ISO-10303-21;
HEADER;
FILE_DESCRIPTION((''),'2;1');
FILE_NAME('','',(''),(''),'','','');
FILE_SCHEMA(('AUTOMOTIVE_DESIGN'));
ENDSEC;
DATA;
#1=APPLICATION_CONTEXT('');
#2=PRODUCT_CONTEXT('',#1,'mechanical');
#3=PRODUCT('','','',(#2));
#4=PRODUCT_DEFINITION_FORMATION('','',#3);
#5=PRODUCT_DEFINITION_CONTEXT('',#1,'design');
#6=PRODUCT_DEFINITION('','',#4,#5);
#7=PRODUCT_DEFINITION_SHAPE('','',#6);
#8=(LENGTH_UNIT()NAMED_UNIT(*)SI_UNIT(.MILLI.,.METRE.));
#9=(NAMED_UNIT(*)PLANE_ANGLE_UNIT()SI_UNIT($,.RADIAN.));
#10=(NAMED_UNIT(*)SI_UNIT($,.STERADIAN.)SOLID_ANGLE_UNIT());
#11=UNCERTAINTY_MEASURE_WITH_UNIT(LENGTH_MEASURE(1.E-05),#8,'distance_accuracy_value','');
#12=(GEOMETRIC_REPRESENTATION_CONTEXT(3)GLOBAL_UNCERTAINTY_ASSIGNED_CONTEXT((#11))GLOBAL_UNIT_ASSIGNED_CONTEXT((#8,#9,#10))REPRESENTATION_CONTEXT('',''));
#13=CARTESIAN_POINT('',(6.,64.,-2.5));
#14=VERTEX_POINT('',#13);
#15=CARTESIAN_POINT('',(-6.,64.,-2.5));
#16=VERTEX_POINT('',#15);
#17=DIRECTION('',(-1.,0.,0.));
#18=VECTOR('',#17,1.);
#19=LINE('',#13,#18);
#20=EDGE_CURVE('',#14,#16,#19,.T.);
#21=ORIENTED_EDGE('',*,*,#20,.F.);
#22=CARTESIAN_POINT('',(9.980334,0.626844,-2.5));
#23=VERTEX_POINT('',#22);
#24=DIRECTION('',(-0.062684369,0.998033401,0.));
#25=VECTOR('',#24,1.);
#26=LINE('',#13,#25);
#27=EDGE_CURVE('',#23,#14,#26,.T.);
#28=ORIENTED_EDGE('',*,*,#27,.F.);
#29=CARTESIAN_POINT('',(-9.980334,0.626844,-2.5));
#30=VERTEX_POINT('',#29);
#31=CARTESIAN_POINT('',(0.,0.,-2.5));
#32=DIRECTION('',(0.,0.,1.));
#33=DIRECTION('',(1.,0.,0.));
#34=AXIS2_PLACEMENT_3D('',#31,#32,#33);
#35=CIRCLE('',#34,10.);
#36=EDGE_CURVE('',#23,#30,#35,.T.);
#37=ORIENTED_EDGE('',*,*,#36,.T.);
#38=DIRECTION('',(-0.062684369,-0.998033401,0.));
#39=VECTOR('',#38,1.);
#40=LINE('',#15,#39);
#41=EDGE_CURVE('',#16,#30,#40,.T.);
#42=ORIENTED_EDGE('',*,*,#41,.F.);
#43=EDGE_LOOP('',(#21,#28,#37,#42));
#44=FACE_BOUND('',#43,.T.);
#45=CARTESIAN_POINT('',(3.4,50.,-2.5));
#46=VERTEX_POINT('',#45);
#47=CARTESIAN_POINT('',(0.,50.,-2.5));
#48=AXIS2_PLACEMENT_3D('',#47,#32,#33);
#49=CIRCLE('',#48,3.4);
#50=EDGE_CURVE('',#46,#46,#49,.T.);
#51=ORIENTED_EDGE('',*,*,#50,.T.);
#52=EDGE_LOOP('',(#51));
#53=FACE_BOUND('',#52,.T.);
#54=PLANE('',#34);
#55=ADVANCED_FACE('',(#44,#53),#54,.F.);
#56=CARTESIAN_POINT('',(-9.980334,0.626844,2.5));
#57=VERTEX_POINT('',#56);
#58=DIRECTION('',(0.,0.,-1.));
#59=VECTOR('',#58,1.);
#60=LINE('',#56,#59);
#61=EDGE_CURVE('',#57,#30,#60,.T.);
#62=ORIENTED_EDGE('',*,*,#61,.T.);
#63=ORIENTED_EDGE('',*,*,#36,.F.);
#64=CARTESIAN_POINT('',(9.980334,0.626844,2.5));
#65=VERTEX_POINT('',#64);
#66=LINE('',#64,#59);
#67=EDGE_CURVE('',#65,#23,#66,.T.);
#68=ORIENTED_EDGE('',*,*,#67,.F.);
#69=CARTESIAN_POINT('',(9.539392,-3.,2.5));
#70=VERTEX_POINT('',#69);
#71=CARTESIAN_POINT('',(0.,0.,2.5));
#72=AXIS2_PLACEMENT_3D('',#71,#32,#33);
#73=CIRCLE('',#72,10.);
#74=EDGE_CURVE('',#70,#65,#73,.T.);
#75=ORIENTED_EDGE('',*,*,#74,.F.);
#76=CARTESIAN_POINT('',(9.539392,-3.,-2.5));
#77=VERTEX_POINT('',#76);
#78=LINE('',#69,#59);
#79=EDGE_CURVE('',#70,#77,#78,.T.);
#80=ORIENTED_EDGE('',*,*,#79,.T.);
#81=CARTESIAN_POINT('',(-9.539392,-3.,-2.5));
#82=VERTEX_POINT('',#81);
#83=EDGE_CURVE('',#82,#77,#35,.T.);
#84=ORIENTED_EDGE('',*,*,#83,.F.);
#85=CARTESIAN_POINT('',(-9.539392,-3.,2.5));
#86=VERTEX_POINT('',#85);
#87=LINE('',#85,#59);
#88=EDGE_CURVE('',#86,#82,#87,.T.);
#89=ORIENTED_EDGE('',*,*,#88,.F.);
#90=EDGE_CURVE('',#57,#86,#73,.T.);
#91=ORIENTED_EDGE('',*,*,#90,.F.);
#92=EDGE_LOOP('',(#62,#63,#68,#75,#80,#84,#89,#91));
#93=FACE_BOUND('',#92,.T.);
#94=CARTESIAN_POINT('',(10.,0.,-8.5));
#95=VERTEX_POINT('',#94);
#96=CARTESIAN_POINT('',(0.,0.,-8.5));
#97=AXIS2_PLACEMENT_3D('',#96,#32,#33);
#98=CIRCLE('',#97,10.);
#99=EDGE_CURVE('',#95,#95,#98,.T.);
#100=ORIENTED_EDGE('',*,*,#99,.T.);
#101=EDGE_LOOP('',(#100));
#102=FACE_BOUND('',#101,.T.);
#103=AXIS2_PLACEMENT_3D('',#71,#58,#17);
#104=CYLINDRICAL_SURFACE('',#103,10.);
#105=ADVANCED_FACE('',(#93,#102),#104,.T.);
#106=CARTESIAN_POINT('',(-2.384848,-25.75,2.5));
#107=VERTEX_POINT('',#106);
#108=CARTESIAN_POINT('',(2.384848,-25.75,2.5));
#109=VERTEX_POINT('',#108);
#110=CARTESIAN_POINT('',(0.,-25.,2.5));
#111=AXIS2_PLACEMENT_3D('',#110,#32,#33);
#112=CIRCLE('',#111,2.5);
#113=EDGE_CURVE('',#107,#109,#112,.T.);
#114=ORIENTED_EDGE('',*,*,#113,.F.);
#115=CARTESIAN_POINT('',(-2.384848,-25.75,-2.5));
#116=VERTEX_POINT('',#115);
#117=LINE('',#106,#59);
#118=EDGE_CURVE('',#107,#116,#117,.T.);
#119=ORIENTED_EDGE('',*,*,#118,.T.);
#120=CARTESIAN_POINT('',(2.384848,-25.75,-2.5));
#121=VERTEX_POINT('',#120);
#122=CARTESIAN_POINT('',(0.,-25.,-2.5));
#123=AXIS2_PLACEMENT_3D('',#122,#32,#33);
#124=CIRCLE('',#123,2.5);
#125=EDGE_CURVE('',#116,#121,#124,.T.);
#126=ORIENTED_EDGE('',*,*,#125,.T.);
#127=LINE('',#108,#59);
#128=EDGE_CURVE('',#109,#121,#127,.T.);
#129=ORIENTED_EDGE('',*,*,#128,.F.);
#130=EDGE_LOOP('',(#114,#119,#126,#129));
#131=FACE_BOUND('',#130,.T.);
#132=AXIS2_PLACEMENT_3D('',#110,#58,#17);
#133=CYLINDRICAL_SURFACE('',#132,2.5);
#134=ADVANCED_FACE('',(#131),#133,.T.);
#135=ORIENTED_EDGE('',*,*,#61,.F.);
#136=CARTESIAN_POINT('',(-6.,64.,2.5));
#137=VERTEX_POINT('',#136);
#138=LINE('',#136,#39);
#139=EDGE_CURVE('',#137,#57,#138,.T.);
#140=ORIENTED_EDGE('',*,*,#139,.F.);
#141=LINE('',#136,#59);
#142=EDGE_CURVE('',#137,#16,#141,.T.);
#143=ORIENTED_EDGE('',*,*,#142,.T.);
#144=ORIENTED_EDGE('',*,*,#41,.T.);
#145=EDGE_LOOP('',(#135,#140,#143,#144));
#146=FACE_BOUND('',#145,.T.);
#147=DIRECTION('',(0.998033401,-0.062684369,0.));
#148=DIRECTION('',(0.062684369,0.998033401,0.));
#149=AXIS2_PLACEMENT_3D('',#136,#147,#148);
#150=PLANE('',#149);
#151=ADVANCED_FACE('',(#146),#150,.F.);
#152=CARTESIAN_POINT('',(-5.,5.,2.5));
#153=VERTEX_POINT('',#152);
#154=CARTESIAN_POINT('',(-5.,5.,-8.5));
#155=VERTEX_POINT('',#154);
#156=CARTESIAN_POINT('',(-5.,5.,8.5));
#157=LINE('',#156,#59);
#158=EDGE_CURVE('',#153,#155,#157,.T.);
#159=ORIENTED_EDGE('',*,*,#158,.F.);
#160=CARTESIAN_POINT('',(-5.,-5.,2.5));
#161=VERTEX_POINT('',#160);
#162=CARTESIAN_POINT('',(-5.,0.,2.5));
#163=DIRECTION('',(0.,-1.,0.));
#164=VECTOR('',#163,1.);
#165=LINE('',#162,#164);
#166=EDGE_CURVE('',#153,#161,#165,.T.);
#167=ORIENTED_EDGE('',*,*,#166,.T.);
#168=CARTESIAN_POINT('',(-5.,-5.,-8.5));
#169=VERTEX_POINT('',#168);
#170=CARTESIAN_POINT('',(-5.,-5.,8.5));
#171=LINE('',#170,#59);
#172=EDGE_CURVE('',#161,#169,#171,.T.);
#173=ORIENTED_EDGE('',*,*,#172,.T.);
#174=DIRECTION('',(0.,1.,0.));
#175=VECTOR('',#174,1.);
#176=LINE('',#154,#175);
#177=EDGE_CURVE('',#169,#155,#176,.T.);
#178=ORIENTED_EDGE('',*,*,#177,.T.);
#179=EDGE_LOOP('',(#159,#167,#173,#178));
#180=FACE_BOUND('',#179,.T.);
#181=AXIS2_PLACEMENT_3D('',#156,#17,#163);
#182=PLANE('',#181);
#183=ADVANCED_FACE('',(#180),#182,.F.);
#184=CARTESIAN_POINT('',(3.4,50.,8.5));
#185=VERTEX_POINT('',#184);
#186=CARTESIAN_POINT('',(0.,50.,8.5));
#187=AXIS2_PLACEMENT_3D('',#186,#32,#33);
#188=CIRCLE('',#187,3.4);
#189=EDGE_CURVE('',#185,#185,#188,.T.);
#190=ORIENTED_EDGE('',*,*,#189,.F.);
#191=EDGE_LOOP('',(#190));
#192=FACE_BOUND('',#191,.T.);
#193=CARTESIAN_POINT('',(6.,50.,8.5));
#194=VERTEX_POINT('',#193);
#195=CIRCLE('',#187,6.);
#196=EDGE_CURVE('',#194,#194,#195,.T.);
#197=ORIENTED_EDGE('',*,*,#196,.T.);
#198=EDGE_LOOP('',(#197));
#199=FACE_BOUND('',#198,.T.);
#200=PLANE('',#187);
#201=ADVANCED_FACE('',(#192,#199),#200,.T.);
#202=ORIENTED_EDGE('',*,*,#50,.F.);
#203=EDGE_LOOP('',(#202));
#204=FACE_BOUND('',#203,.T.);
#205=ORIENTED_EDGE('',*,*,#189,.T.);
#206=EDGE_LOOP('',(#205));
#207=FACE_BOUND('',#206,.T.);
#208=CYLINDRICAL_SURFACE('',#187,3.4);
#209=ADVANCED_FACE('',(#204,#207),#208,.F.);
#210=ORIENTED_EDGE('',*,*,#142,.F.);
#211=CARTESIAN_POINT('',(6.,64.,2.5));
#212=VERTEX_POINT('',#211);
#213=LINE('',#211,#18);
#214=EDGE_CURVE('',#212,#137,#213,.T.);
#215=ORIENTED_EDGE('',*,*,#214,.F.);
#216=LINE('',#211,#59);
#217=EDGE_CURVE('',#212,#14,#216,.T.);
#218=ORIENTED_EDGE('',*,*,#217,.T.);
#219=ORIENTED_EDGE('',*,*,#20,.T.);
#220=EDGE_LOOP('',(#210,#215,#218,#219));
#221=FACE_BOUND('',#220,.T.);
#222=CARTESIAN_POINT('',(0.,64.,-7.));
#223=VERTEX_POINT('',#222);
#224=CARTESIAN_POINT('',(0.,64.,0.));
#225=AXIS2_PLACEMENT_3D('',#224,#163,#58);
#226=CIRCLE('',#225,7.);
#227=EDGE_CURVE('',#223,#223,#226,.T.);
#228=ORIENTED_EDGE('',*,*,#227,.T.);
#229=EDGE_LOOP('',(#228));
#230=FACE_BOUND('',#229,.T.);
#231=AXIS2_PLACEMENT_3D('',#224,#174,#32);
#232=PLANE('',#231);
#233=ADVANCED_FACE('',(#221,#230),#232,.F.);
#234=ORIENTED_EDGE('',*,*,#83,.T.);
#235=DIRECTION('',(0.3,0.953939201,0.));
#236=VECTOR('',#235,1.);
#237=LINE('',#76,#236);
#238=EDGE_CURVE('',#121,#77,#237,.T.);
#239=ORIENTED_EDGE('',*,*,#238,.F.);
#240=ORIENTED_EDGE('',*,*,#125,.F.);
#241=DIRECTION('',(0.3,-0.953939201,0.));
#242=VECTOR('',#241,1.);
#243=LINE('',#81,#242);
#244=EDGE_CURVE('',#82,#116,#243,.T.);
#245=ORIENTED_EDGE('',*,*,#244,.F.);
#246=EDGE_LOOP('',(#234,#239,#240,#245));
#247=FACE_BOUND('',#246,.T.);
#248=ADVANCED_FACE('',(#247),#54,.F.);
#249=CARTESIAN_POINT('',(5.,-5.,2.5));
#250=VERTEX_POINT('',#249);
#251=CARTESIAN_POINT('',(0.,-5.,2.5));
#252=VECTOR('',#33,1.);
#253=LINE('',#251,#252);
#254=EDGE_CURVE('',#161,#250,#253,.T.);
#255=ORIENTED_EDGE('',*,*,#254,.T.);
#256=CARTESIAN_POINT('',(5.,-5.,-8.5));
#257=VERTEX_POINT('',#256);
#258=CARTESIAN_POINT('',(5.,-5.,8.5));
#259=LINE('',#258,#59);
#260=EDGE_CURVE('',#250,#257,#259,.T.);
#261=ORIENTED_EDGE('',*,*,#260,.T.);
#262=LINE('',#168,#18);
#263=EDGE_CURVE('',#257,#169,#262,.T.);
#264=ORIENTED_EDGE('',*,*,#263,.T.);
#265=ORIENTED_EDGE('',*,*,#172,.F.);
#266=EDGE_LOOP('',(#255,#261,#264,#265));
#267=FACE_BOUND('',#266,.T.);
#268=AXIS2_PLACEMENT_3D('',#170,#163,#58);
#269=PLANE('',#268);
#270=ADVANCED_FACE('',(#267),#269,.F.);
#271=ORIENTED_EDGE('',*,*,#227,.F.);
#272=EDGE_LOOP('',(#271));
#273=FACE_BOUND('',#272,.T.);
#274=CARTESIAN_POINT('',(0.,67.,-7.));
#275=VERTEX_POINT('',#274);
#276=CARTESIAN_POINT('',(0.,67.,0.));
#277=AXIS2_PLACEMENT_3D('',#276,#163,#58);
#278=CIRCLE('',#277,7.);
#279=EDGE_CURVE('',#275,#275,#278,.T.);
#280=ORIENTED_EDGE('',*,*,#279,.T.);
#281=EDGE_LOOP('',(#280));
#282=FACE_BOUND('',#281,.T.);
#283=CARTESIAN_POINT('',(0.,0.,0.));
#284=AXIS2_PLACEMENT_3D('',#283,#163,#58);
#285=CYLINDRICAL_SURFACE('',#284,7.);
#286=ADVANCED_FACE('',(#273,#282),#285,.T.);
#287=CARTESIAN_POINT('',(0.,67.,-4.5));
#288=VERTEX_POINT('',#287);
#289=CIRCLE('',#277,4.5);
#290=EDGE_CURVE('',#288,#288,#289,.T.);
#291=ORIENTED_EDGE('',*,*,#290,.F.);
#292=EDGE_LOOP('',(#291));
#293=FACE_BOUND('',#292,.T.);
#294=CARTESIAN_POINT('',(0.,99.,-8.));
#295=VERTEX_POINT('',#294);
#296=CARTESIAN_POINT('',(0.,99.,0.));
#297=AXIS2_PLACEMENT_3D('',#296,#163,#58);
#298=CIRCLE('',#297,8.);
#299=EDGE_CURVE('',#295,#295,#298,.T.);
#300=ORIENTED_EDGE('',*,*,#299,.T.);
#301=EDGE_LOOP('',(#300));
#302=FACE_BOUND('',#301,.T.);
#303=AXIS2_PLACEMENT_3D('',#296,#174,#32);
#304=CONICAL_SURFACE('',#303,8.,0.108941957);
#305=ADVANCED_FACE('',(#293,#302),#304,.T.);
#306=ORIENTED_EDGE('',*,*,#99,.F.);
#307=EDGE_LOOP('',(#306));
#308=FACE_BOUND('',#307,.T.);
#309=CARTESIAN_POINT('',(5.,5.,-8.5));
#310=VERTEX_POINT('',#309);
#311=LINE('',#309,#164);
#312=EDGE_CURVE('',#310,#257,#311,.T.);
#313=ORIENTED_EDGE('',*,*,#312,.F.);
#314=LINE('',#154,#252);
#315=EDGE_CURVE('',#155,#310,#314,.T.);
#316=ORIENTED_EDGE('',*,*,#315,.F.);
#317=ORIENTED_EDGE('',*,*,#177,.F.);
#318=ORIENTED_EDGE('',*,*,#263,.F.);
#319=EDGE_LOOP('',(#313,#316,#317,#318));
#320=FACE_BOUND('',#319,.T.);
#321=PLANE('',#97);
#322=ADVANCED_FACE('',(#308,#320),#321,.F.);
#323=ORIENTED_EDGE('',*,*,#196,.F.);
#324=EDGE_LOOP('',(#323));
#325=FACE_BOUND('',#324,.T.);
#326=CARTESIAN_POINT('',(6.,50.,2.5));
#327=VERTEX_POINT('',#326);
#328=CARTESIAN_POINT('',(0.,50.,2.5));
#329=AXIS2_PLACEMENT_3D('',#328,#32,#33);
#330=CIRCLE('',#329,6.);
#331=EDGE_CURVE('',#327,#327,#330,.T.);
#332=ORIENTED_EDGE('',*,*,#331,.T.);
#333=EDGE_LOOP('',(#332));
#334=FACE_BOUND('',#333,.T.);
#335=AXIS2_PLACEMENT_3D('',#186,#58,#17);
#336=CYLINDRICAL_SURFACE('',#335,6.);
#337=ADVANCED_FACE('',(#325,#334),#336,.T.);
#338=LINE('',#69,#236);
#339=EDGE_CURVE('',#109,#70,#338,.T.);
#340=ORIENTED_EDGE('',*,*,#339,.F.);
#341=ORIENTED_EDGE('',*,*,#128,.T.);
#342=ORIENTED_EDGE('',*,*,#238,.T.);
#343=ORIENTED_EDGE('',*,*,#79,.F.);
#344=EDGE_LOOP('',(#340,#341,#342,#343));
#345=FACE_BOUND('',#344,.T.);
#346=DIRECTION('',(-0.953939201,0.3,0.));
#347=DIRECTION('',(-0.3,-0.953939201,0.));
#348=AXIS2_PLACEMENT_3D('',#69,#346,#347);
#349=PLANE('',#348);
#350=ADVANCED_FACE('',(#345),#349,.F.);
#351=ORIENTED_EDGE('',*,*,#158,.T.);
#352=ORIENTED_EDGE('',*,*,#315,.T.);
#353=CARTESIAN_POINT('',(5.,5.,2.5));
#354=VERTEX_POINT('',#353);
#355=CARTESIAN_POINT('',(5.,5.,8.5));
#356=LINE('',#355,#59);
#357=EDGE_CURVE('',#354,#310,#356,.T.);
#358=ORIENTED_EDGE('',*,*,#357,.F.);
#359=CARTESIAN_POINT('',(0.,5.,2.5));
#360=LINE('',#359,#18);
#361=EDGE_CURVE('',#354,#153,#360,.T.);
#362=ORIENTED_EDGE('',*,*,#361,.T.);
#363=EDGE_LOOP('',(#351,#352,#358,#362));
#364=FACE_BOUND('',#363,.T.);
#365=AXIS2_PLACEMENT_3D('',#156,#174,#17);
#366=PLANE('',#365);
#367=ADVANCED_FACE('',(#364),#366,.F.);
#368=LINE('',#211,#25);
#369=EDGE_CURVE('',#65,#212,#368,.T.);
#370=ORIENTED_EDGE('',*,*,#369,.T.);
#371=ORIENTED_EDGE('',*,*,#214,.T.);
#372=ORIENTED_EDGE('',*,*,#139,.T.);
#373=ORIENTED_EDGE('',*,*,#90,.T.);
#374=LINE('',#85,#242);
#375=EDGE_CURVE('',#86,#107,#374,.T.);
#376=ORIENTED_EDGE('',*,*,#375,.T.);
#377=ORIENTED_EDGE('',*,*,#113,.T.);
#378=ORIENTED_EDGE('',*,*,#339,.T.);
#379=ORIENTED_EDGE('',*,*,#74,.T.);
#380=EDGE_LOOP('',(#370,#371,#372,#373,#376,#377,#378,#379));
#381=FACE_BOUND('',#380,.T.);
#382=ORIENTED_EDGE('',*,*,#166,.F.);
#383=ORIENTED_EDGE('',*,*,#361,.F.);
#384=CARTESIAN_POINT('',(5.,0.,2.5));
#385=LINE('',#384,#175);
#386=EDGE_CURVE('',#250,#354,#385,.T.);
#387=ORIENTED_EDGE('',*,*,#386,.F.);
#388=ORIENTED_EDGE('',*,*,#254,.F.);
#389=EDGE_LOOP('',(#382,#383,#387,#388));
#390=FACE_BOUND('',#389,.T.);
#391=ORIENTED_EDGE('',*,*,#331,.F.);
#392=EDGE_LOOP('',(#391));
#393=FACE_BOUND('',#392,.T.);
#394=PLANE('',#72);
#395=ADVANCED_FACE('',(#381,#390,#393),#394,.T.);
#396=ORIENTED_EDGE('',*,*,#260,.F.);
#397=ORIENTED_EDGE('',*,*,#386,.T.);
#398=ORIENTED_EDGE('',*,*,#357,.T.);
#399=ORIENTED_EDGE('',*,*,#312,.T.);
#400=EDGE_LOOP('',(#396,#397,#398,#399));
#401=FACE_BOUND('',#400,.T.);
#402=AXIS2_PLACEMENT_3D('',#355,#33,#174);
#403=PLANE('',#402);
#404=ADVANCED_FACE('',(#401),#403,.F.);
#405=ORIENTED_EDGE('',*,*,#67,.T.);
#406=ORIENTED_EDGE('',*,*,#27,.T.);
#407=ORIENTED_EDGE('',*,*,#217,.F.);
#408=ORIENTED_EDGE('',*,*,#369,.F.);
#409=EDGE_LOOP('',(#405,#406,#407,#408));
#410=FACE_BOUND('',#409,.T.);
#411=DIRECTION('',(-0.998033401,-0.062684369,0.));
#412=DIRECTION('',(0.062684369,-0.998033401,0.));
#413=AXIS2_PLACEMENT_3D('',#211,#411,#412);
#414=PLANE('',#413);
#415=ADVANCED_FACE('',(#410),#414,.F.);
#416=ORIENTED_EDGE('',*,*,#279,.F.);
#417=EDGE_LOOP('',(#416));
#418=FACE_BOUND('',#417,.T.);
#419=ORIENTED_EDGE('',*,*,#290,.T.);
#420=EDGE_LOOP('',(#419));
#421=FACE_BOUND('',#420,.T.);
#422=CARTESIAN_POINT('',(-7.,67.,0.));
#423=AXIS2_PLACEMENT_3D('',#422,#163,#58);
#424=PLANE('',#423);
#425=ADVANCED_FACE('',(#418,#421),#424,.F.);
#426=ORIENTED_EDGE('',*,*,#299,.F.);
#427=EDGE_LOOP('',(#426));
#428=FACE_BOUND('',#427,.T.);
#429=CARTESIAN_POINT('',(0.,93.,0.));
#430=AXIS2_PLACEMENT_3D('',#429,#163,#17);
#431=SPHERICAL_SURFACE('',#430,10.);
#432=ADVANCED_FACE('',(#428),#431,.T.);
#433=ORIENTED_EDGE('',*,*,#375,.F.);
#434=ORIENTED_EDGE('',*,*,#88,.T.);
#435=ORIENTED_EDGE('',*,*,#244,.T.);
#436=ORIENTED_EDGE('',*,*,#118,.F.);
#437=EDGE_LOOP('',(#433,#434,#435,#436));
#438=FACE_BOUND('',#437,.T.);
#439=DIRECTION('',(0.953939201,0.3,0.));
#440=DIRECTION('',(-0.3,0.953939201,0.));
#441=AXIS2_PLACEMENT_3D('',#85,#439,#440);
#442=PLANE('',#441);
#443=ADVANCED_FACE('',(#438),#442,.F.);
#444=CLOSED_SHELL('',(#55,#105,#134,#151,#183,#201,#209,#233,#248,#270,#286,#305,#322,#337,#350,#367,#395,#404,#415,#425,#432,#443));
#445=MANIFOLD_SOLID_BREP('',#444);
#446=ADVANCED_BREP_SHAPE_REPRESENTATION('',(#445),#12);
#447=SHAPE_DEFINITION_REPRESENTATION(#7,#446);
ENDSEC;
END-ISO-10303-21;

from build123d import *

# Parameters (mm, degrees)
BOSS_EXTRUDE1_DEPTH = 2.5
SKETCH3_R           = 10
BOSS_EXTRUDE2_DEPTH = 11
SKETCH4_R           = 6
BOSS_EXTRUDE3_DEPTH = 6
M8_TAPPED_HOLE1_D   = 6.8
SKETCH7_W           = 10
SKETCH7_H           = 10
CUT_EXTRUDE1_DEPTH  = 67.970142601


with BuildPart() as part:
    # Sketch2 → Boss-Extrude1 (new, symmetric)
    with BuildSketch(Plane.XY):
        with BuildLine():
            Line((-9.539392014, -3), (-2.384848004, -25.75))
            ThreePointArc((-2.384848004, -25.75), (0, -27.5), (2.384848004, -25.75))
            Line((2.384848004, -25.75), (9.539392014, -3))
            ThreePointArc((9.539392014, -3), (9.92690409, -1.206886566), (9.980334012, 0.626843686))
            Line((9.980334012, 0.626843686), (6, 64))
            Line((6, 64), (-6, 64))
            Line((-6, 64), (-9.980334012, 0.626843686))
            ThreePointArc((-9.980334012, 0.626843686), (-9.92690409, -1.206886566), (-9.539392014, -3))
        make_face()
    extrude(amount=BOSS_EXTRUDE1_DEPTH, both=True)

    # Sketch3 → Boss-Extrude2 (add)
    with BuildSketch(Plane.XY.offset(2.5)):
        with Locations(Location((0, 0, 0), (0, 0, 176.406094003))):
            Circle(SKETCH3_R)
    extrude(amount=-BOSS_EXTRUDE2_DEPTH)

    # Sketch4 → Boss-Extrude3 (add)
    with BuildSketch(Plane.XY.offset(2.5)):
        with Locations((0, 50)):
            Circle(SKETCH4_R)
    extrude(amount=BOSS_EXTRUDE3_DEPTH)

    # M8 Tapped Hole1 (through all)
    with Locations(Plane.XY.offset(8.5)):
        with Locations((0, 50)):
            Hole(M8_TAPPED_HOLE1_D / 2)

    # Sketch7 → Cut-Extrude1 (cut, through all)
    with BuildSketch(Plane(origin=(0, 0, -8.5), x_dir=(-1, 0, 0), z_dir=(0, 0, -1))):
        Rectangle(SKETCH7_W, SKETCH7_H)
    extrude(amount=-CUT_EXTRUDE1_DEPTH, mode=Mode.SUBTRACT)

    # Sketch8 → Revolve1 (revolve)
    with BuildSketch(Plane.XY, mode=Mode.PRIVATE) as revolve1_sk:
        with BuildLine():
            Line((0, 64), (-7, 64))
            Line((-7, 64), (-7, 67))
            Line((-7, 67), (-4.5, 67))
            Line((-4.5, 67), (-8, 99))
            ThreePointArc((-8, 99), (-4.472135955, 101.94427191), (0, 103))
            Line((0, 103), (0, 64))
        make_face()
    revolve(revolve1_sk.sketch.rotate(Axis((0, 0, 0), (0, 1, 0)), 270), axis=Axis((0, 0, 0), (0, 1, 0)))


solid = part.part
